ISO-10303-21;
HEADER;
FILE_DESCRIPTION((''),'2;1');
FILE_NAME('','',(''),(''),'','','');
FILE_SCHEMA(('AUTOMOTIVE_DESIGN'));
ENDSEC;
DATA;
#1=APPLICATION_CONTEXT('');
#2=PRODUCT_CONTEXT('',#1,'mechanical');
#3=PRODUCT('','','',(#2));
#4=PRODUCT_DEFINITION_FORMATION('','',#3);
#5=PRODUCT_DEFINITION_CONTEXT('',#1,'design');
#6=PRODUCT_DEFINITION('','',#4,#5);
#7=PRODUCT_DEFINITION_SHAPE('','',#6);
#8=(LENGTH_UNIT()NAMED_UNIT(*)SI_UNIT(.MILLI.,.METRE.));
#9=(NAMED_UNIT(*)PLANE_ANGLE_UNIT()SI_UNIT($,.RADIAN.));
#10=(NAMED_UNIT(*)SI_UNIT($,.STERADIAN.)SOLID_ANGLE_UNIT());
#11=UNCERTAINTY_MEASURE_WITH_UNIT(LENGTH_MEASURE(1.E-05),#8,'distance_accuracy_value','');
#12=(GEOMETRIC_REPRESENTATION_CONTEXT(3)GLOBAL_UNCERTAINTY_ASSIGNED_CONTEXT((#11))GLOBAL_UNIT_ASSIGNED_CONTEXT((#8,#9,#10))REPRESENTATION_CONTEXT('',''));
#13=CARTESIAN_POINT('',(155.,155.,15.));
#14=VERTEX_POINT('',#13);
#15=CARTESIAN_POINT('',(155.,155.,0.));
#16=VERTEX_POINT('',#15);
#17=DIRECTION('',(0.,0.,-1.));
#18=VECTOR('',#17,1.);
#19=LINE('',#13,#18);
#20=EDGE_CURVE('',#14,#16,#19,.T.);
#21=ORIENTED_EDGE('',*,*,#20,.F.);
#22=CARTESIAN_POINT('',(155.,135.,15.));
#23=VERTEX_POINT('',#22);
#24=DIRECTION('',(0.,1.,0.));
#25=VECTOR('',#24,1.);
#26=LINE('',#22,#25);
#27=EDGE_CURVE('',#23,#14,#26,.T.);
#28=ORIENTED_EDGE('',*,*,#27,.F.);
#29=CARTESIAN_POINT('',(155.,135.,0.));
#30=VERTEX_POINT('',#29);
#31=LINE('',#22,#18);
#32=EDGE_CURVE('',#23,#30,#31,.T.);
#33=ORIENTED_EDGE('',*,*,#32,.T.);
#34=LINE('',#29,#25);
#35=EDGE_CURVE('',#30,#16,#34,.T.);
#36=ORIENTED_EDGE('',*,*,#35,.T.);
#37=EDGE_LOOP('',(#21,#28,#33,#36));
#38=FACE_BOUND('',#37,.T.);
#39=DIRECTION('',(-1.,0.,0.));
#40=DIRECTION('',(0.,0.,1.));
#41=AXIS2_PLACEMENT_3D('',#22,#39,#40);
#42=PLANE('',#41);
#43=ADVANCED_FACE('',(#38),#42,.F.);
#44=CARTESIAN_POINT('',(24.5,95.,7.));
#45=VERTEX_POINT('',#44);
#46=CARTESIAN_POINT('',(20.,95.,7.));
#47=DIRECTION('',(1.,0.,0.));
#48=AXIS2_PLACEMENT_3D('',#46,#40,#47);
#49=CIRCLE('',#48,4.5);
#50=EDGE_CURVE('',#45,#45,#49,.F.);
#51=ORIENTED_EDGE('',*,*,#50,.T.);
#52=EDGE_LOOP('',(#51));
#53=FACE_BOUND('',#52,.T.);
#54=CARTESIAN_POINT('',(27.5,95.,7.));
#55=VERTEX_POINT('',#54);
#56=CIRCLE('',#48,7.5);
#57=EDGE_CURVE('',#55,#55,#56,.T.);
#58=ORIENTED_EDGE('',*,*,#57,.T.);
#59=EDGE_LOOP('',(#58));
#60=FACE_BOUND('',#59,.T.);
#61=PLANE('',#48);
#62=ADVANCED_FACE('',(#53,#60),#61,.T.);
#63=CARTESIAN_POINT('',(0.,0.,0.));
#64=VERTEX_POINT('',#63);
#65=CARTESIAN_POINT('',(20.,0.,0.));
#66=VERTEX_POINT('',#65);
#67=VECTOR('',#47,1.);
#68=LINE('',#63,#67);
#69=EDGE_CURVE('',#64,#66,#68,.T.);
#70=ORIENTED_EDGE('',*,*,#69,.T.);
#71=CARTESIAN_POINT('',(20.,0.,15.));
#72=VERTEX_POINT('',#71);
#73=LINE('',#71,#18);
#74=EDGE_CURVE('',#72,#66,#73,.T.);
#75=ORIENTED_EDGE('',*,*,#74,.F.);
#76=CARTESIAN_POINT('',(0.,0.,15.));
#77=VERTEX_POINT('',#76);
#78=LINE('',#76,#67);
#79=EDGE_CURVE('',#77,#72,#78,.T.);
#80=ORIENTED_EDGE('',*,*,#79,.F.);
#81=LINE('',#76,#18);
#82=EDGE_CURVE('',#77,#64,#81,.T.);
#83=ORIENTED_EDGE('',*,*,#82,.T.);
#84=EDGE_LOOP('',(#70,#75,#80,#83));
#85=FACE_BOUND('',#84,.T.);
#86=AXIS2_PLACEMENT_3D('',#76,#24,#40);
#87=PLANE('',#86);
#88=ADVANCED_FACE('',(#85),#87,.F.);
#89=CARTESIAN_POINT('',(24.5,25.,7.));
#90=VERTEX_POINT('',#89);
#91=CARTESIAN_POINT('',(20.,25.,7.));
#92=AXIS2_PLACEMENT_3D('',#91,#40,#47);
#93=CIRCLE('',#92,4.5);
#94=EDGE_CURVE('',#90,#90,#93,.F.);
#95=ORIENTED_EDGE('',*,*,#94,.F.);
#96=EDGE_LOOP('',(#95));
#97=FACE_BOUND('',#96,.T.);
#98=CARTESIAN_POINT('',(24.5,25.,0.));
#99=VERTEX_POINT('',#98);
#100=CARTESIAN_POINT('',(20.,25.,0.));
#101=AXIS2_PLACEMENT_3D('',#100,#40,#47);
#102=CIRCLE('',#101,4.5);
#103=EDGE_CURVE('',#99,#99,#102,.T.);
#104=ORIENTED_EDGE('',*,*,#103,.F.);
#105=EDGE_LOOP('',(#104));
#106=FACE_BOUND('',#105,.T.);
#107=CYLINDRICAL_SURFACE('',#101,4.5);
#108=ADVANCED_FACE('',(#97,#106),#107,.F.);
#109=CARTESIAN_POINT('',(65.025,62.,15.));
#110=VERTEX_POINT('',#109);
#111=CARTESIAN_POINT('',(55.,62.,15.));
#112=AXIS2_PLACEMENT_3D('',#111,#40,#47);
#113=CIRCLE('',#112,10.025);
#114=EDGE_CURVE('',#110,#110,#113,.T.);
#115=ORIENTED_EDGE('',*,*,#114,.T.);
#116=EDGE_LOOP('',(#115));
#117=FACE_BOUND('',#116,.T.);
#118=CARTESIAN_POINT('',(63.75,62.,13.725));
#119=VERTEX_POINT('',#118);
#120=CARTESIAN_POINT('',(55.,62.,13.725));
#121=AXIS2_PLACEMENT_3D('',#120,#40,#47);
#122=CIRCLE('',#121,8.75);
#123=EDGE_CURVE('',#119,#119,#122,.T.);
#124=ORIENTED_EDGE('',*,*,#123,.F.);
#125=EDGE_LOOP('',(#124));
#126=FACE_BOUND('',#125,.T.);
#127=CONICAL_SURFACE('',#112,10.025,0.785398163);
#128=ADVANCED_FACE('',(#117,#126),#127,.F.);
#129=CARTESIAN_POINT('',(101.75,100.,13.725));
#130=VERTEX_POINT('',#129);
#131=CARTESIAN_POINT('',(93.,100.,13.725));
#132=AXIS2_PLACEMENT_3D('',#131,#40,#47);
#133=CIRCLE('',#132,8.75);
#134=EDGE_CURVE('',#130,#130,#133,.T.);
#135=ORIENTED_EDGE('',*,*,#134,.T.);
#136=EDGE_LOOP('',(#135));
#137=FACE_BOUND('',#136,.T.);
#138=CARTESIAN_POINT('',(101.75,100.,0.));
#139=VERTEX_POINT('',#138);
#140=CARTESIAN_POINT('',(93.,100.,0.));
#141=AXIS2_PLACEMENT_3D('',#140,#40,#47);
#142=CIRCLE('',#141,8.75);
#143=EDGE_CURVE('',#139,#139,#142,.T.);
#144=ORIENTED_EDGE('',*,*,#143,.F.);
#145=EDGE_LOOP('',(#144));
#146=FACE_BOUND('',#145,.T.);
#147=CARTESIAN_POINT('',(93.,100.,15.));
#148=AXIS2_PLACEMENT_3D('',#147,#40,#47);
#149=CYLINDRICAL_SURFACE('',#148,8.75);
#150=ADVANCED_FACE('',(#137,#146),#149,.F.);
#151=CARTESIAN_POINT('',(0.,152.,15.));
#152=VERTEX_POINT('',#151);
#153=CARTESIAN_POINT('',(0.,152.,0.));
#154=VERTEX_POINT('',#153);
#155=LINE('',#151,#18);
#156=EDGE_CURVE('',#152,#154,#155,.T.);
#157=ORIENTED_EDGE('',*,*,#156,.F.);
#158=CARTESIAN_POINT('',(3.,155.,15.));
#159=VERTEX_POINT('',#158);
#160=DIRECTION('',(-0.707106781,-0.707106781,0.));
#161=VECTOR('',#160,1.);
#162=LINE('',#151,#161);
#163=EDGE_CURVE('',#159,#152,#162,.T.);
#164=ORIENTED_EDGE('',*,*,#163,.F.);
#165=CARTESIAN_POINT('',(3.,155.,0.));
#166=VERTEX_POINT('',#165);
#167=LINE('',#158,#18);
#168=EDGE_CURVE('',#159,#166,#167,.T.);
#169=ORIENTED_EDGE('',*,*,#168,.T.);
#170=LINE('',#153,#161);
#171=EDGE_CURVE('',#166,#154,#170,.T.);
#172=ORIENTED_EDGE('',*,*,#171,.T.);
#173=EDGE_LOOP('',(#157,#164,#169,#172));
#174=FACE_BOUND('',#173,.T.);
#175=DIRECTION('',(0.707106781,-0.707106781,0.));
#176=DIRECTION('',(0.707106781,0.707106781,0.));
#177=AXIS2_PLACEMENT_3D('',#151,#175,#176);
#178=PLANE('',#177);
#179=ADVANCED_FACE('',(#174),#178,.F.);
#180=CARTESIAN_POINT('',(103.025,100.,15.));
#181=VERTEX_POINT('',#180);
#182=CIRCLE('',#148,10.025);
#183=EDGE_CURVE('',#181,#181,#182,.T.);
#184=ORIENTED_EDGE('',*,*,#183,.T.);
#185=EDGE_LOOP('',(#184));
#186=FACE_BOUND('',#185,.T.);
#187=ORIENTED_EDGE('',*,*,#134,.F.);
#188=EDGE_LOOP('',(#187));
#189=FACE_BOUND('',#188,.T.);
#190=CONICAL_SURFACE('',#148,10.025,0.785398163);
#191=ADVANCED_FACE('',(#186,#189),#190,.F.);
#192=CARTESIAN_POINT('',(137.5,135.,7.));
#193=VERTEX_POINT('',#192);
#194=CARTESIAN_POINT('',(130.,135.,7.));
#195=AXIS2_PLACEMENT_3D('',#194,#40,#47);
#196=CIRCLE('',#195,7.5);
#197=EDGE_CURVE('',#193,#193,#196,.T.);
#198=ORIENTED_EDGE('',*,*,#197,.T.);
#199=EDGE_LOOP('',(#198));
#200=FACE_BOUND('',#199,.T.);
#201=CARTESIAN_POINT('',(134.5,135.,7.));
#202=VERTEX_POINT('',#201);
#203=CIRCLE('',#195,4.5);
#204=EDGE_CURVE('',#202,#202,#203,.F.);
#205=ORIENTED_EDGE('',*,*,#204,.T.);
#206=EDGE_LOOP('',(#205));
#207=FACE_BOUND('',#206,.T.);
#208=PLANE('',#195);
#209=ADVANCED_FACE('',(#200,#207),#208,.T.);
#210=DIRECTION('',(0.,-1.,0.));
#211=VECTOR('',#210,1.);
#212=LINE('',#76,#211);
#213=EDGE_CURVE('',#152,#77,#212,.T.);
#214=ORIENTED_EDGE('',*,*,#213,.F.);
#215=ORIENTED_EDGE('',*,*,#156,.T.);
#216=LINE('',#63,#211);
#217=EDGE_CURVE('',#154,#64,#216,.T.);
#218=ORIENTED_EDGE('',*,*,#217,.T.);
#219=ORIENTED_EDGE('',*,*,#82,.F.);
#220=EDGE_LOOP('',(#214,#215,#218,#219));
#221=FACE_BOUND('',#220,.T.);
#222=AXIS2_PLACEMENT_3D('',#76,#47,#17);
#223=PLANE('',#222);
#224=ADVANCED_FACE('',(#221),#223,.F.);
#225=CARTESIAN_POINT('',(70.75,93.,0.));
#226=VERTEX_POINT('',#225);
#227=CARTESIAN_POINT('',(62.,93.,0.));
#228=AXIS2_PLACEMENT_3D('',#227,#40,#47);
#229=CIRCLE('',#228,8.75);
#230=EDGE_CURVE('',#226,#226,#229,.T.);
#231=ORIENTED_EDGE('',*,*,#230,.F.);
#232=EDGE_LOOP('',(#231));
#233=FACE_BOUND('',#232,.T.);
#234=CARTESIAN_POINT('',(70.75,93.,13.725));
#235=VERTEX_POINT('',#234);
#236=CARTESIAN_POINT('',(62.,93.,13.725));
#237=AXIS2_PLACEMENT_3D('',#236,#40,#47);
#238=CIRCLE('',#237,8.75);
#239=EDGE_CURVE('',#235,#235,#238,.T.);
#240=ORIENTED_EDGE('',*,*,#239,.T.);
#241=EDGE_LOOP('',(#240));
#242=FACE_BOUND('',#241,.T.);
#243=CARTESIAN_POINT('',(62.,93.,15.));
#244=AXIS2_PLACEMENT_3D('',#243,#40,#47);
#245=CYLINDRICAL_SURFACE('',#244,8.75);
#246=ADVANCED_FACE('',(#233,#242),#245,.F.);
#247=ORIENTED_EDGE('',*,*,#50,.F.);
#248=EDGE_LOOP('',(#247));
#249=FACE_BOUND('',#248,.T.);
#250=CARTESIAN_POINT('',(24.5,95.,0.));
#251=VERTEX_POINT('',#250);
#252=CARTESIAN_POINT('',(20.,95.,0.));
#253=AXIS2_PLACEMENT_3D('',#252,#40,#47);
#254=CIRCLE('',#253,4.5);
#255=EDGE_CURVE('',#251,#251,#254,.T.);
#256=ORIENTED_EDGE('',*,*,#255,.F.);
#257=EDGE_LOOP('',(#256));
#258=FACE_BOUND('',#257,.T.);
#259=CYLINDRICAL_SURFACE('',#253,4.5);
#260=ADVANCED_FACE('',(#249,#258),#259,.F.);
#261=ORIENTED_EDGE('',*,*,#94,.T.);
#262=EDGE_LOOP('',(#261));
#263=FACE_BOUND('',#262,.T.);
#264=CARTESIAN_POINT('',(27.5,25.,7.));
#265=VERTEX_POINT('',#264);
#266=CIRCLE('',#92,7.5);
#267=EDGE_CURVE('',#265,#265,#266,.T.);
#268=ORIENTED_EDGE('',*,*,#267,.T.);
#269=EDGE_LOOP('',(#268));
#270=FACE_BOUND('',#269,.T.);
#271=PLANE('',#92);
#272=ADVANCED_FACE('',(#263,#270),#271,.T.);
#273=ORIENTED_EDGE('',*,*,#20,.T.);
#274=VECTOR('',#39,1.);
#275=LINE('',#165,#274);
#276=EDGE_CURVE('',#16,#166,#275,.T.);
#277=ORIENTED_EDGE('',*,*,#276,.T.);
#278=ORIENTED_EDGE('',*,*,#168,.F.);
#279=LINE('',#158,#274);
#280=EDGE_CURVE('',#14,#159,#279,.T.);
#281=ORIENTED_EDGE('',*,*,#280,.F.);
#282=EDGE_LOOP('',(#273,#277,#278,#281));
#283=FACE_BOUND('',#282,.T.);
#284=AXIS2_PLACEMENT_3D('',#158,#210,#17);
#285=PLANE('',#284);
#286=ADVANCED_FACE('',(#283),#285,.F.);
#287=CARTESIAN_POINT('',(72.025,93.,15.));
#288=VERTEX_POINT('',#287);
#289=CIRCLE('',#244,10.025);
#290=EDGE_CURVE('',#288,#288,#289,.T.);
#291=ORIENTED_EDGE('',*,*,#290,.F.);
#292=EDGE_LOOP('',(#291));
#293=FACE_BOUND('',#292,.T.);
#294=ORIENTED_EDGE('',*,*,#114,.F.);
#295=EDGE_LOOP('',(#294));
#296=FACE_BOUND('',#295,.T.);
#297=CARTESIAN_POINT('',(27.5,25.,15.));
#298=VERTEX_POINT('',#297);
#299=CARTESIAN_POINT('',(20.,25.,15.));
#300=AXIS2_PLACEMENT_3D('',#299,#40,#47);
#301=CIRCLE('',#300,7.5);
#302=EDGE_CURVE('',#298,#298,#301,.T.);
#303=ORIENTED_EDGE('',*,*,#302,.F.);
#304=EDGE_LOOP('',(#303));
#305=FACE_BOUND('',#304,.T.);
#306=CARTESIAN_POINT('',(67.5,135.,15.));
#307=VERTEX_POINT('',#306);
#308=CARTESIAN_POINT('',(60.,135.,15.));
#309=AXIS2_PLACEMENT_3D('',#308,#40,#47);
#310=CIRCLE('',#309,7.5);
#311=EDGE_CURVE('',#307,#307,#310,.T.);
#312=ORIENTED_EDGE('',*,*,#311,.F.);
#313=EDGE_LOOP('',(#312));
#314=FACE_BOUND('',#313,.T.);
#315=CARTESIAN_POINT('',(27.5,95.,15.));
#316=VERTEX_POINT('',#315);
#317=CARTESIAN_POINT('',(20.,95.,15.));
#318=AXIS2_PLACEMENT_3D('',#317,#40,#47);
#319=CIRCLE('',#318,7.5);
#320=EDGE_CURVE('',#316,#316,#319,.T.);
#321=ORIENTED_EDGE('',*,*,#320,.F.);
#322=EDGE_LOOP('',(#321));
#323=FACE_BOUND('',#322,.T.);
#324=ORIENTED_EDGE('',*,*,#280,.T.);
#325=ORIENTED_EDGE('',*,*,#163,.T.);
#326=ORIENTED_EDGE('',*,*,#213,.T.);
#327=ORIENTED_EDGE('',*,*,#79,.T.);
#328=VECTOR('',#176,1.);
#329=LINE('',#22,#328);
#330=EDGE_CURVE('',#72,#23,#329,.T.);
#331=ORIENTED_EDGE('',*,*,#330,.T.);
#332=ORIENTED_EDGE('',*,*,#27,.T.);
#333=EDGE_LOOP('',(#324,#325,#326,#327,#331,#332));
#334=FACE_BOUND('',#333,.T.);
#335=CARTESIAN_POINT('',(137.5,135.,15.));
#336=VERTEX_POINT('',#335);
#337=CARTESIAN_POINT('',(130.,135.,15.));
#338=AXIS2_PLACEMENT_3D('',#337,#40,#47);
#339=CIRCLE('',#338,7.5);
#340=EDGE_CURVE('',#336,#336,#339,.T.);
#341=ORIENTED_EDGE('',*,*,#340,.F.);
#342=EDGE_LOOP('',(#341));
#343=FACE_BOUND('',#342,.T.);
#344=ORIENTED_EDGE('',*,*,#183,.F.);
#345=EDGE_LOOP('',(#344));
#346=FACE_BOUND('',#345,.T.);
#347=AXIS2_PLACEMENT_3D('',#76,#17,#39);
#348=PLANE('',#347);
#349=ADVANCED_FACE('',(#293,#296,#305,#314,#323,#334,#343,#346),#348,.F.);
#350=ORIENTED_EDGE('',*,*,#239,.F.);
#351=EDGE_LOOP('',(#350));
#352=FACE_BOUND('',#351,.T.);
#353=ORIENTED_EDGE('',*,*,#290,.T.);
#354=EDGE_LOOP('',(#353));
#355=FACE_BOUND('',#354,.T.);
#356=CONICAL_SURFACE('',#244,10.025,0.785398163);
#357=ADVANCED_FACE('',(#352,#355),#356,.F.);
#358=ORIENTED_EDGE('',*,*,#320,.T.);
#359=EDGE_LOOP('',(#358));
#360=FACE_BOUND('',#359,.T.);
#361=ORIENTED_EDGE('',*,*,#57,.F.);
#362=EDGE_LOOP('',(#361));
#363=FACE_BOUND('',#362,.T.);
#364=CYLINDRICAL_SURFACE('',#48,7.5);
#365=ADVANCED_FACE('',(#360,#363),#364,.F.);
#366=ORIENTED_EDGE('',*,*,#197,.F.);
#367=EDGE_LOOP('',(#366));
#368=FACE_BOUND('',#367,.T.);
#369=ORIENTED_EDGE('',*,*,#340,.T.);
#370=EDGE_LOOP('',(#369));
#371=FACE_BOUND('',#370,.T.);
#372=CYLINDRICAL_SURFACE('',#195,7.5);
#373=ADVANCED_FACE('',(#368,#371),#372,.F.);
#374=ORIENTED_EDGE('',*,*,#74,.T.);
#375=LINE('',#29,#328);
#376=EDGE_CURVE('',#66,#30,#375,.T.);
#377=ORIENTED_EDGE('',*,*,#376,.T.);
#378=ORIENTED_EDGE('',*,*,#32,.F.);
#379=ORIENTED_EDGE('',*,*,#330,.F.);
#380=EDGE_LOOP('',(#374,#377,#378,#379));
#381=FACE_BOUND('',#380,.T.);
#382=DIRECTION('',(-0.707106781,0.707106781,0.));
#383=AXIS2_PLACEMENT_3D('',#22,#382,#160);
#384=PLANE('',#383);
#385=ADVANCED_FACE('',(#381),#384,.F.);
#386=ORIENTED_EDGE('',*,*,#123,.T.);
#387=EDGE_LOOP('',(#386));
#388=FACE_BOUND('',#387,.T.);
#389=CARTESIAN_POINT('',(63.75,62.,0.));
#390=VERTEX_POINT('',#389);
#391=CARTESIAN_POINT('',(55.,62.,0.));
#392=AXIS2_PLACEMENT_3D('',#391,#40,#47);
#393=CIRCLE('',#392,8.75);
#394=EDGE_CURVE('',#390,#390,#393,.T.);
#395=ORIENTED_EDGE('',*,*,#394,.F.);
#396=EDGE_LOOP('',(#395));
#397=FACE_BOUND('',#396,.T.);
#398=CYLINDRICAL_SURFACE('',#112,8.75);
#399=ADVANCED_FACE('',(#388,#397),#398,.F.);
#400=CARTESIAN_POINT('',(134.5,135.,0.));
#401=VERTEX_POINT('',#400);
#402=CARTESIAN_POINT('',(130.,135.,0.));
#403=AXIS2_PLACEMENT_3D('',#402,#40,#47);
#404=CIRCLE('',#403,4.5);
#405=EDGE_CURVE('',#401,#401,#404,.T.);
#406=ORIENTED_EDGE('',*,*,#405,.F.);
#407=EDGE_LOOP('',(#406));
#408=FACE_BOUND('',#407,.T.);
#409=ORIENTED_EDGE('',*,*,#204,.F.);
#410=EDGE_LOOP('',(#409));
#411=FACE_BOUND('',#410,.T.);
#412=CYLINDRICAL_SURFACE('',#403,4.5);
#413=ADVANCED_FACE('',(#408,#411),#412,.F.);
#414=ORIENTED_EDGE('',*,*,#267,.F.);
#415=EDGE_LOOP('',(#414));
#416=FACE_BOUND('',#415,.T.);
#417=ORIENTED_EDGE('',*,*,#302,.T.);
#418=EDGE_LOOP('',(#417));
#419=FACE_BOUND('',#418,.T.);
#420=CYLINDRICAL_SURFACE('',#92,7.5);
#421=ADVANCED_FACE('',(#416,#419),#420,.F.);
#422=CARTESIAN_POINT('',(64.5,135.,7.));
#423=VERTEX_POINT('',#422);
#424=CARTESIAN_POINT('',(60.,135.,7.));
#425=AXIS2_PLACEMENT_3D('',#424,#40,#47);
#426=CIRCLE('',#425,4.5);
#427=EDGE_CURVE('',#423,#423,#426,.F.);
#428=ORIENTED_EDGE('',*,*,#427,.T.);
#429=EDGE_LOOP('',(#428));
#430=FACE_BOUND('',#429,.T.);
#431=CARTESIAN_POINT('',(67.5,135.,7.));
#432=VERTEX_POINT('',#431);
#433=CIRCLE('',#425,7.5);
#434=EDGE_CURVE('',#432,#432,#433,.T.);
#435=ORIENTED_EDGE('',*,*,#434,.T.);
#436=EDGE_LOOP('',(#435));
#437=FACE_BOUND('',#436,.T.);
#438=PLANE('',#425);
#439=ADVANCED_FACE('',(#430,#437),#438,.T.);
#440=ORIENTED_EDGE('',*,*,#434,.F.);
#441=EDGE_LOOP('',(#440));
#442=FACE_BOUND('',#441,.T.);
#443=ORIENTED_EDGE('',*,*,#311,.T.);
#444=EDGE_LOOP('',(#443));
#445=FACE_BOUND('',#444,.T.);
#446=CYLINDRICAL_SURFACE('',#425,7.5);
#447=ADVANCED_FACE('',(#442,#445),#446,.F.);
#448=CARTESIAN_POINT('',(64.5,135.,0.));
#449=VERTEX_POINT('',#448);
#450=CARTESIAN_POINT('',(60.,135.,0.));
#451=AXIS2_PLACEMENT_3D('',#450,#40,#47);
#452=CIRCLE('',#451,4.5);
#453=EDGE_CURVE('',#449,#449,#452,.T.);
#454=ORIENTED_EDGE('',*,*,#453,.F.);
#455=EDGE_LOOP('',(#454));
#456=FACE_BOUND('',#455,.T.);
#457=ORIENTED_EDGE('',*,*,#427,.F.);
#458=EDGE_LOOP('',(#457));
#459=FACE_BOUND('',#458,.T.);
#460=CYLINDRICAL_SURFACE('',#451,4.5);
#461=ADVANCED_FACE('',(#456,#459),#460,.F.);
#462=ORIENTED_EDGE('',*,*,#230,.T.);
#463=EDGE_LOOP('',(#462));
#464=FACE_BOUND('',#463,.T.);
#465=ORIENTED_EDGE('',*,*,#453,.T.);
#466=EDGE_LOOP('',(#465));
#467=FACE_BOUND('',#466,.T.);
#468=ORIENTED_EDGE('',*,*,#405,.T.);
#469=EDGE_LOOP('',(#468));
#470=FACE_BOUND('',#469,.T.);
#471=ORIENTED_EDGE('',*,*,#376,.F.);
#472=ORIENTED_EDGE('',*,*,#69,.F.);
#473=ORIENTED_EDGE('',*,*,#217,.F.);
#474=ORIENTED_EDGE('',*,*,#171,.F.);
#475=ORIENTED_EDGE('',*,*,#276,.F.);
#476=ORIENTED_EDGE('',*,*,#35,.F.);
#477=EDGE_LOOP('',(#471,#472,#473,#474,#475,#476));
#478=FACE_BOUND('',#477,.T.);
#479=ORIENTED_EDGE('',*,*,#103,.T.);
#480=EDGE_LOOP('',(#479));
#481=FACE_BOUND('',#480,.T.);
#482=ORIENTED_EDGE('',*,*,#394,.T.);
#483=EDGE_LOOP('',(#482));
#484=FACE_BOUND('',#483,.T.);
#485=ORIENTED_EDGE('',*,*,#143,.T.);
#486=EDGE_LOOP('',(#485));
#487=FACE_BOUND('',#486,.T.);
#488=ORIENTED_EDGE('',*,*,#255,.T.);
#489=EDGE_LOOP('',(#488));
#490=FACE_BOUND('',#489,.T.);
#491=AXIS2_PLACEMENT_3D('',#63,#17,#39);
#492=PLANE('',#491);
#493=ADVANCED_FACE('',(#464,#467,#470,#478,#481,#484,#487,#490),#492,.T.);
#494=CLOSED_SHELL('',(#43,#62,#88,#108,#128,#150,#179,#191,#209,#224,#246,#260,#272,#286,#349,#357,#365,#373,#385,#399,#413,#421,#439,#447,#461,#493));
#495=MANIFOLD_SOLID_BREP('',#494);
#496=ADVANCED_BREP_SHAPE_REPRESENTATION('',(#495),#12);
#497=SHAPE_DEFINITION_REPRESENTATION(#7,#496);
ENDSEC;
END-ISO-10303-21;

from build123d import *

# Parameters (mm, degrees)
EXTRUDE_1_DEPTH               = 15
HOLE_WIZARD_M20_1_D           = 17.5
HOLE_WIZARD_M20_1_CSINK_D     = 20.05
HOLE_WIZARD_M20_1_CSINK_ANGLE = 90
SKETCH_5_R                    = 4.5
CUT_EXTRUDE_1_DEPTH           = 220.715725427
SKETCH_6_R                    = 7.5
CUT_EXTRUDE_2_DEPTH           = 8


with BuildPart() as part:
    # 스케치1 → 보스-돌출1 (new body)
    with BuildSketch(Plane.XY):
        Polygon((155, 135), (20, 0), (0, 0), (0, 152), (3, 155), (155, 155), align=None)
    extrude(amount=EXTRUDE_1_DEPTH)

    # M20 나사 구멍1 (through all)
    with Locations(Plane.XY.offset(15)):
        with Locations((62, 93), (55, 62), (93, 100)):
            CounterSinkHole(HOLE_WIZARD_M20_1_D / 2, HOLE_WIZARD_M20_1_CSINK_D / 2, counter_sink_angle=HOLE_WIZARD_M20_1_CSINK_ANGLE)

    # 스케치5 → 컷-돌출1 (cut, through all)
    with BuildSketch(Plane.XY.offset(15)):
        with Locations((60, 135)):
            Circle(SKETCH_5_R)
        with Locations((20, 95)):
            Circle(SKETCH_5_R)
        with Locations((130, 135)):
            Circle(SKETCH_5_R)
        with Locations((20, 25)):
            Circle(SKETCH_5_R)
    extrude(amount=-CUT_EXTRUDE_1_DEPTH, mode=Mode.SUBTRACT)

    # 스케치6 → 컷-돌출2 (cut)
    with BuildSketch(Plane.XY.offset(15)):
        with Locations((20, 95)):
            Circle(SKETCH_6_R)
        with Locations((20, 25)):
            Circle(SKETCH_6_R)
        with Locations((60, 135)):
            Circle(SKETCH_6_R)
        with Locations((130, 135)):
            Circle(SKETCH_6_R)
    extrude(amount=-CUT_EXTRUDE_2_DEPTH, mode=Mode.SUBTRACT)


solid = part.part
